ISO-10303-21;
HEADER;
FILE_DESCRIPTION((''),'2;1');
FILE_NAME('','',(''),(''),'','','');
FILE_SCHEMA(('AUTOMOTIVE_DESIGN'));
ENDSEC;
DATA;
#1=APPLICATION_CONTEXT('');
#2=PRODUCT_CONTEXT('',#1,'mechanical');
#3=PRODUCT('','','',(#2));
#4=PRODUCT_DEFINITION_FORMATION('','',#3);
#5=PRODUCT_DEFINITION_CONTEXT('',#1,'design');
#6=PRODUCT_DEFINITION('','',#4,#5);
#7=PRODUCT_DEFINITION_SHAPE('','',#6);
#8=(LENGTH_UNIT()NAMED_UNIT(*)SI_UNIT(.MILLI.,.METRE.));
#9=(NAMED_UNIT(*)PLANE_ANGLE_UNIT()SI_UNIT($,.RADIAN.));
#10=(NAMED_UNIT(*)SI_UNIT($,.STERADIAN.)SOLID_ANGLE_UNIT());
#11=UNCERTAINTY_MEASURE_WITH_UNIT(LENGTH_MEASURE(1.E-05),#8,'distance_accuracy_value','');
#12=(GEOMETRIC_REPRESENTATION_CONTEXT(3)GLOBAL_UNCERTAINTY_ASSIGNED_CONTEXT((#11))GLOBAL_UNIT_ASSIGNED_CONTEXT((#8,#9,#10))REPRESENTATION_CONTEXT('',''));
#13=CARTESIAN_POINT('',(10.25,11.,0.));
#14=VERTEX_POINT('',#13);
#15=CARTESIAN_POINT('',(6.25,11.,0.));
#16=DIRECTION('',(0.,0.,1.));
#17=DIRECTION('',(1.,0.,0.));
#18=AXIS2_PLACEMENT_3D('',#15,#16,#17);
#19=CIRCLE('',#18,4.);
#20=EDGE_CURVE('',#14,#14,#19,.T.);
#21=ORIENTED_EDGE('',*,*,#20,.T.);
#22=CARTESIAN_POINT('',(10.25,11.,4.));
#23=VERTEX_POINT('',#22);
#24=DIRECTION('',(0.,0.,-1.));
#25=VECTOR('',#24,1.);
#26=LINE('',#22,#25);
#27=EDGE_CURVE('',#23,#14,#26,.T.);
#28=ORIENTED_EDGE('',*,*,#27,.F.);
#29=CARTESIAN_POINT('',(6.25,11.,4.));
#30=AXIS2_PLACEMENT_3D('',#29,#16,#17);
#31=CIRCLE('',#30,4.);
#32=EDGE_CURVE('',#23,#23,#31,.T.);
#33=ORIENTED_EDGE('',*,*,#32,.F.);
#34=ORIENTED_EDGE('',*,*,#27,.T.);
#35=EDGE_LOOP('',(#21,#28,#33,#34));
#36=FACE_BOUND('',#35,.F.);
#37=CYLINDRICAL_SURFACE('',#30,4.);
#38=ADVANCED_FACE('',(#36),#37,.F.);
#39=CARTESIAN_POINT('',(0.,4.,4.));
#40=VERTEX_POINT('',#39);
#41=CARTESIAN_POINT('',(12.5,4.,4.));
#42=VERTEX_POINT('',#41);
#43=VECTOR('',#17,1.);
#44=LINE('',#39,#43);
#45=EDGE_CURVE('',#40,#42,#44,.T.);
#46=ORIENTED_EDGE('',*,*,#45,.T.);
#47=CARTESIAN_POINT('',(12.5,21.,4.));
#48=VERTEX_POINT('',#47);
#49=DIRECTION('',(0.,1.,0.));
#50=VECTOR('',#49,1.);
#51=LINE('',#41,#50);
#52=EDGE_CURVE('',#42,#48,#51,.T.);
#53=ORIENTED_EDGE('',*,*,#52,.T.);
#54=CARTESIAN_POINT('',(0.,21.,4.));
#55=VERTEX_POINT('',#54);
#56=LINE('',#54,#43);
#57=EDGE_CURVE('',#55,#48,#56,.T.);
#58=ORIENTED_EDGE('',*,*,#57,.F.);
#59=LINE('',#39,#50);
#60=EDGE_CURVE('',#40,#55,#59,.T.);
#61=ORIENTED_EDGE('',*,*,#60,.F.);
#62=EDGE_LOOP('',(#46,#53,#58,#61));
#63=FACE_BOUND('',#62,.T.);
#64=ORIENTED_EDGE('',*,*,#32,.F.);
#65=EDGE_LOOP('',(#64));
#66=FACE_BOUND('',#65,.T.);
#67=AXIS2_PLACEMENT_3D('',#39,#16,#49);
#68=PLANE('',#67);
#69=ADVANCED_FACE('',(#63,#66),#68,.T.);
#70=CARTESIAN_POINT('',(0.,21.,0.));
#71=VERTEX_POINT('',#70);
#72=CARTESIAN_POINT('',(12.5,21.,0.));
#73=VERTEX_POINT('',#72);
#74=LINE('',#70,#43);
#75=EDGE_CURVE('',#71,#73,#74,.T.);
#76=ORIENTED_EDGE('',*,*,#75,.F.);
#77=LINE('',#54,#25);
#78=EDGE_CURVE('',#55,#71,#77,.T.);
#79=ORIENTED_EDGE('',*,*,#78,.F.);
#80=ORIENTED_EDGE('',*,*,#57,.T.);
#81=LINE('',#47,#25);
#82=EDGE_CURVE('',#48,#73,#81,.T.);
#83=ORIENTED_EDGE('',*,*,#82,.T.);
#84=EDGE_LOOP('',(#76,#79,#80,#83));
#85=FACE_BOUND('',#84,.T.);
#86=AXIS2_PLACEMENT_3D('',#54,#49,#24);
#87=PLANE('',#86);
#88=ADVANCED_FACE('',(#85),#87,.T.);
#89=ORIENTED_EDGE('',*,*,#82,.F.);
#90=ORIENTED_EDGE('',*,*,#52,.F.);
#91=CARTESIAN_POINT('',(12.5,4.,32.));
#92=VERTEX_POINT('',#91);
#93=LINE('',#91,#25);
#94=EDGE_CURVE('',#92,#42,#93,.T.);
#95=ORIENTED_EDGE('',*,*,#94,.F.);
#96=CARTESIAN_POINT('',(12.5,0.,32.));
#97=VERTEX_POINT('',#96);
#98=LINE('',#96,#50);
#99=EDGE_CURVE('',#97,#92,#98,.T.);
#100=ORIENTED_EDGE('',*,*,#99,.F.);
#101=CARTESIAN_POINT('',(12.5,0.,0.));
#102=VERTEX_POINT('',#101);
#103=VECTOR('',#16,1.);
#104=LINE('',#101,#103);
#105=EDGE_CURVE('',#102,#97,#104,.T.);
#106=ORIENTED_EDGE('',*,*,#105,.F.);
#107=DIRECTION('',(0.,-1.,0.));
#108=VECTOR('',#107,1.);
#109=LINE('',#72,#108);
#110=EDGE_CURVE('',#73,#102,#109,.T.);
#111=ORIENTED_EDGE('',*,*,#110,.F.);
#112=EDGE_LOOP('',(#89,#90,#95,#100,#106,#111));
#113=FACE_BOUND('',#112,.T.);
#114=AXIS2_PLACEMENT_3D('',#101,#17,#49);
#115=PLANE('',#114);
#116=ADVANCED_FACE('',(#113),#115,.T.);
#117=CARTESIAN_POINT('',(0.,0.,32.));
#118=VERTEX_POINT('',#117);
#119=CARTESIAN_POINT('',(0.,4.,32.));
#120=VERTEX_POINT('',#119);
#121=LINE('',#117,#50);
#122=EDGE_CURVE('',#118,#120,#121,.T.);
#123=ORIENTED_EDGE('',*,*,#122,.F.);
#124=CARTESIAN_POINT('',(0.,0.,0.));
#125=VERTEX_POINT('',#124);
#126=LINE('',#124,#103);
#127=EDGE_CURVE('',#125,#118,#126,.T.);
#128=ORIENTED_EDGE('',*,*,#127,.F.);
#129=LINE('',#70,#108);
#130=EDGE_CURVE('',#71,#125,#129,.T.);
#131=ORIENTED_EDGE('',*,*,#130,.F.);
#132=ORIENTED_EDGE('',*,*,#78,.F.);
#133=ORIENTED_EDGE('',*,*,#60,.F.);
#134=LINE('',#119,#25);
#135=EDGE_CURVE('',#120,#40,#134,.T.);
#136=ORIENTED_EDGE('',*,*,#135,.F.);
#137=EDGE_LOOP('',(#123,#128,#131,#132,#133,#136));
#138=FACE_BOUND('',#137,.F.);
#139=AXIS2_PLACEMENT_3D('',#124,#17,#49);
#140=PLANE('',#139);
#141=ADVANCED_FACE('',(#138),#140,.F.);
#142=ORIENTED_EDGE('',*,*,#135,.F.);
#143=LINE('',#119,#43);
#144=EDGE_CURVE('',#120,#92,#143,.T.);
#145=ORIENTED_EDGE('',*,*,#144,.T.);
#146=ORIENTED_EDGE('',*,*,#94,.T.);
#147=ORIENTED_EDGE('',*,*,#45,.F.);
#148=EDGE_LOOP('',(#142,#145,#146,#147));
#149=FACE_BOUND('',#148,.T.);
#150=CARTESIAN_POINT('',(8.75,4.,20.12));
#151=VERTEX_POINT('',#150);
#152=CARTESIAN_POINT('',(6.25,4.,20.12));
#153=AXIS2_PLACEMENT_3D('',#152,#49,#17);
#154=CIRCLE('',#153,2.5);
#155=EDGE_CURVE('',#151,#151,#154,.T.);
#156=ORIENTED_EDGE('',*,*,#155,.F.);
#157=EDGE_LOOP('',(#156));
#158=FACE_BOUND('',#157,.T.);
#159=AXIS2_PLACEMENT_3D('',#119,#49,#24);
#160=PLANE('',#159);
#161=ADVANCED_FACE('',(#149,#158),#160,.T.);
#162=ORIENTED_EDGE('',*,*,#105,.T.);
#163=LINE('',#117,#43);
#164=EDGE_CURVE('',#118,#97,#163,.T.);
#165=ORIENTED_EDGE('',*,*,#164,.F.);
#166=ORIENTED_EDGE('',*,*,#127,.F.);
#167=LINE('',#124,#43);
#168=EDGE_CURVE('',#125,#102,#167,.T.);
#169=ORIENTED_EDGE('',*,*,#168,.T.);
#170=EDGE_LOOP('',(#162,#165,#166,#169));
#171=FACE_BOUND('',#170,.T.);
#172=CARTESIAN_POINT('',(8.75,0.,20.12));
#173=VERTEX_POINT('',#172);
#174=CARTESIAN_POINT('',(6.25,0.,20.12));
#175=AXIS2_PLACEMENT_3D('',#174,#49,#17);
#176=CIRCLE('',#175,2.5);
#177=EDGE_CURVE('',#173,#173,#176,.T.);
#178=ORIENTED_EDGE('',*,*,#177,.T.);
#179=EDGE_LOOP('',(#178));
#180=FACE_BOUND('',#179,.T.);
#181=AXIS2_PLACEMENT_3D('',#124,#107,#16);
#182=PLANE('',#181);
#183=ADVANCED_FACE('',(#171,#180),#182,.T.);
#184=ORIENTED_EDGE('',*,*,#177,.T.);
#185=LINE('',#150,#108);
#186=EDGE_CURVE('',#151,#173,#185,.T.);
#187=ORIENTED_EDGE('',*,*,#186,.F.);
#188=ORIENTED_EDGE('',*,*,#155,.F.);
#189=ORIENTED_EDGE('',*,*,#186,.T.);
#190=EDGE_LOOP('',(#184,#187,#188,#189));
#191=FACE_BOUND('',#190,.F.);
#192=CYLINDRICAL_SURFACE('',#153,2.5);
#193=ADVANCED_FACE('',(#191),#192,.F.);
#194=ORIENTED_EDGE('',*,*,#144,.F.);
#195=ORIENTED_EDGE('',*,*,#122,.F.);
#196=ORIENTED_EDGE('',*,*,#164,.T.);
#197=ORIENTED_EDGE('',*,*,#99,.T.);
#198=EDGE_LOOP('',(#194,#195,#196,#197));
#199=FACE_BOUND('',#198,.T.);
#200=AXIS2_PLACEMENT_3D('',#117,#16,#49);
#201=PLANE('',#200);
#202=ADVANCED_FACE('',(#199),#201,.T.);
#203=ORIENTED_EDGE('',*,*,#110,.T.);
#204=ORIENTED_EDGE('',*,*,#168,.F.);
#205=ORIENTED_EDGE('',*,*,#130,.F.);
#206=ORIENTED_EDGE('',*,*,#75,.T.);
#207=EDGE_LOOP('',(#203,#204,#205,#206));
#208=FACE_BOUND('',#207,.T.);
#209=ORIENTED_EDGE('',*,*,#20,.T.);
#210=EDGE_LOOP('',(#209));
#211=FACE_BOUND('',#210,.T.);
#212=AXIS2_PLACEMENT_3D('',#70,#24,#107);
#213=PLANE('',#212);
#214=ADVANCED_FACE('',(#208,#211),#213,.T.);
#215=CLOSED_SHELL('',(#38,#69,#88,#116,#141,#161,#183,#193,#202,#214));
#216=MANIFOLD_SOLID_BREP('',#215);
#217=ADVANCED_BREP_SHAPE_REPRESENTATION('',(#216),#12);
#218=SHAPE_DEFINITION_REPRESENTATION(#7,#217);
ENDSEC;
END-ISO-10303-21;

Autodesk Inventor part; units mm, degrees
ref_plane "YZ Plane" through (0, 0, 0) normal (1, 0, 0) x (0, 1, 0)
ref_plane "XZ Plane" through (0, 0, 0) normal (0, 1, 0) x (-1, 0, 0)
ref_plane "XY Plane" through (0, 0, 0) normal (0, 0, 1) x (1, 0, 0)
sketch "草圖1" plane through (0, 0, 0) normal (1, 0, 0) x (0, 1, 0)
  line L0 (0, 0) -> (0, 32)
  line L1 (0, 32) -> (4, 32)
  line L2 (4, 32) -> (4, 4)
  line L3 (4, 4) -> (21, 4)
  line L4 (21, 4) -> (21, 0)
  line L5 (21, 0) -> (0, 0)
  dimension "d0" = 32
  dimension "d1" = 21
  dimension "d2" = 4
  dimension "d3" = 4
extrude "擠出1" add sketch "草圖1" along normal blind 12.5
sketch "草圖2" plane through (0, 4, 32) normal (0, 1, 0) x (1, 0, 0)
  circle A0 centre (6.25, 11.88) radius 2.5
  line L0 (0, 0) -> (12.5, 0) projected
  point P0 (0, 32)
  dimension "d6" = 5
  dimension "d7" = 11.88
extrude "擠出2" cut sketch "草圖2" against normal blind 12.5
sketch "草圖3" plane through (0, 4, 4) normal (0, 0, 1) x (1, 0, 0)
  circle A0 centre (6.25, 7) radius 4
  line L0 (0, 0) -> (0, 17) projected
  line L1 (0, -4) -> (12.5, -4) projected
  dimension "d10" = 8
  dimension "d11" = 6.25
  dimension "d12" = 11
extrude "擠出3" cut sketch "草圖3" against normal blind 12.5
properties part number "L形件"
